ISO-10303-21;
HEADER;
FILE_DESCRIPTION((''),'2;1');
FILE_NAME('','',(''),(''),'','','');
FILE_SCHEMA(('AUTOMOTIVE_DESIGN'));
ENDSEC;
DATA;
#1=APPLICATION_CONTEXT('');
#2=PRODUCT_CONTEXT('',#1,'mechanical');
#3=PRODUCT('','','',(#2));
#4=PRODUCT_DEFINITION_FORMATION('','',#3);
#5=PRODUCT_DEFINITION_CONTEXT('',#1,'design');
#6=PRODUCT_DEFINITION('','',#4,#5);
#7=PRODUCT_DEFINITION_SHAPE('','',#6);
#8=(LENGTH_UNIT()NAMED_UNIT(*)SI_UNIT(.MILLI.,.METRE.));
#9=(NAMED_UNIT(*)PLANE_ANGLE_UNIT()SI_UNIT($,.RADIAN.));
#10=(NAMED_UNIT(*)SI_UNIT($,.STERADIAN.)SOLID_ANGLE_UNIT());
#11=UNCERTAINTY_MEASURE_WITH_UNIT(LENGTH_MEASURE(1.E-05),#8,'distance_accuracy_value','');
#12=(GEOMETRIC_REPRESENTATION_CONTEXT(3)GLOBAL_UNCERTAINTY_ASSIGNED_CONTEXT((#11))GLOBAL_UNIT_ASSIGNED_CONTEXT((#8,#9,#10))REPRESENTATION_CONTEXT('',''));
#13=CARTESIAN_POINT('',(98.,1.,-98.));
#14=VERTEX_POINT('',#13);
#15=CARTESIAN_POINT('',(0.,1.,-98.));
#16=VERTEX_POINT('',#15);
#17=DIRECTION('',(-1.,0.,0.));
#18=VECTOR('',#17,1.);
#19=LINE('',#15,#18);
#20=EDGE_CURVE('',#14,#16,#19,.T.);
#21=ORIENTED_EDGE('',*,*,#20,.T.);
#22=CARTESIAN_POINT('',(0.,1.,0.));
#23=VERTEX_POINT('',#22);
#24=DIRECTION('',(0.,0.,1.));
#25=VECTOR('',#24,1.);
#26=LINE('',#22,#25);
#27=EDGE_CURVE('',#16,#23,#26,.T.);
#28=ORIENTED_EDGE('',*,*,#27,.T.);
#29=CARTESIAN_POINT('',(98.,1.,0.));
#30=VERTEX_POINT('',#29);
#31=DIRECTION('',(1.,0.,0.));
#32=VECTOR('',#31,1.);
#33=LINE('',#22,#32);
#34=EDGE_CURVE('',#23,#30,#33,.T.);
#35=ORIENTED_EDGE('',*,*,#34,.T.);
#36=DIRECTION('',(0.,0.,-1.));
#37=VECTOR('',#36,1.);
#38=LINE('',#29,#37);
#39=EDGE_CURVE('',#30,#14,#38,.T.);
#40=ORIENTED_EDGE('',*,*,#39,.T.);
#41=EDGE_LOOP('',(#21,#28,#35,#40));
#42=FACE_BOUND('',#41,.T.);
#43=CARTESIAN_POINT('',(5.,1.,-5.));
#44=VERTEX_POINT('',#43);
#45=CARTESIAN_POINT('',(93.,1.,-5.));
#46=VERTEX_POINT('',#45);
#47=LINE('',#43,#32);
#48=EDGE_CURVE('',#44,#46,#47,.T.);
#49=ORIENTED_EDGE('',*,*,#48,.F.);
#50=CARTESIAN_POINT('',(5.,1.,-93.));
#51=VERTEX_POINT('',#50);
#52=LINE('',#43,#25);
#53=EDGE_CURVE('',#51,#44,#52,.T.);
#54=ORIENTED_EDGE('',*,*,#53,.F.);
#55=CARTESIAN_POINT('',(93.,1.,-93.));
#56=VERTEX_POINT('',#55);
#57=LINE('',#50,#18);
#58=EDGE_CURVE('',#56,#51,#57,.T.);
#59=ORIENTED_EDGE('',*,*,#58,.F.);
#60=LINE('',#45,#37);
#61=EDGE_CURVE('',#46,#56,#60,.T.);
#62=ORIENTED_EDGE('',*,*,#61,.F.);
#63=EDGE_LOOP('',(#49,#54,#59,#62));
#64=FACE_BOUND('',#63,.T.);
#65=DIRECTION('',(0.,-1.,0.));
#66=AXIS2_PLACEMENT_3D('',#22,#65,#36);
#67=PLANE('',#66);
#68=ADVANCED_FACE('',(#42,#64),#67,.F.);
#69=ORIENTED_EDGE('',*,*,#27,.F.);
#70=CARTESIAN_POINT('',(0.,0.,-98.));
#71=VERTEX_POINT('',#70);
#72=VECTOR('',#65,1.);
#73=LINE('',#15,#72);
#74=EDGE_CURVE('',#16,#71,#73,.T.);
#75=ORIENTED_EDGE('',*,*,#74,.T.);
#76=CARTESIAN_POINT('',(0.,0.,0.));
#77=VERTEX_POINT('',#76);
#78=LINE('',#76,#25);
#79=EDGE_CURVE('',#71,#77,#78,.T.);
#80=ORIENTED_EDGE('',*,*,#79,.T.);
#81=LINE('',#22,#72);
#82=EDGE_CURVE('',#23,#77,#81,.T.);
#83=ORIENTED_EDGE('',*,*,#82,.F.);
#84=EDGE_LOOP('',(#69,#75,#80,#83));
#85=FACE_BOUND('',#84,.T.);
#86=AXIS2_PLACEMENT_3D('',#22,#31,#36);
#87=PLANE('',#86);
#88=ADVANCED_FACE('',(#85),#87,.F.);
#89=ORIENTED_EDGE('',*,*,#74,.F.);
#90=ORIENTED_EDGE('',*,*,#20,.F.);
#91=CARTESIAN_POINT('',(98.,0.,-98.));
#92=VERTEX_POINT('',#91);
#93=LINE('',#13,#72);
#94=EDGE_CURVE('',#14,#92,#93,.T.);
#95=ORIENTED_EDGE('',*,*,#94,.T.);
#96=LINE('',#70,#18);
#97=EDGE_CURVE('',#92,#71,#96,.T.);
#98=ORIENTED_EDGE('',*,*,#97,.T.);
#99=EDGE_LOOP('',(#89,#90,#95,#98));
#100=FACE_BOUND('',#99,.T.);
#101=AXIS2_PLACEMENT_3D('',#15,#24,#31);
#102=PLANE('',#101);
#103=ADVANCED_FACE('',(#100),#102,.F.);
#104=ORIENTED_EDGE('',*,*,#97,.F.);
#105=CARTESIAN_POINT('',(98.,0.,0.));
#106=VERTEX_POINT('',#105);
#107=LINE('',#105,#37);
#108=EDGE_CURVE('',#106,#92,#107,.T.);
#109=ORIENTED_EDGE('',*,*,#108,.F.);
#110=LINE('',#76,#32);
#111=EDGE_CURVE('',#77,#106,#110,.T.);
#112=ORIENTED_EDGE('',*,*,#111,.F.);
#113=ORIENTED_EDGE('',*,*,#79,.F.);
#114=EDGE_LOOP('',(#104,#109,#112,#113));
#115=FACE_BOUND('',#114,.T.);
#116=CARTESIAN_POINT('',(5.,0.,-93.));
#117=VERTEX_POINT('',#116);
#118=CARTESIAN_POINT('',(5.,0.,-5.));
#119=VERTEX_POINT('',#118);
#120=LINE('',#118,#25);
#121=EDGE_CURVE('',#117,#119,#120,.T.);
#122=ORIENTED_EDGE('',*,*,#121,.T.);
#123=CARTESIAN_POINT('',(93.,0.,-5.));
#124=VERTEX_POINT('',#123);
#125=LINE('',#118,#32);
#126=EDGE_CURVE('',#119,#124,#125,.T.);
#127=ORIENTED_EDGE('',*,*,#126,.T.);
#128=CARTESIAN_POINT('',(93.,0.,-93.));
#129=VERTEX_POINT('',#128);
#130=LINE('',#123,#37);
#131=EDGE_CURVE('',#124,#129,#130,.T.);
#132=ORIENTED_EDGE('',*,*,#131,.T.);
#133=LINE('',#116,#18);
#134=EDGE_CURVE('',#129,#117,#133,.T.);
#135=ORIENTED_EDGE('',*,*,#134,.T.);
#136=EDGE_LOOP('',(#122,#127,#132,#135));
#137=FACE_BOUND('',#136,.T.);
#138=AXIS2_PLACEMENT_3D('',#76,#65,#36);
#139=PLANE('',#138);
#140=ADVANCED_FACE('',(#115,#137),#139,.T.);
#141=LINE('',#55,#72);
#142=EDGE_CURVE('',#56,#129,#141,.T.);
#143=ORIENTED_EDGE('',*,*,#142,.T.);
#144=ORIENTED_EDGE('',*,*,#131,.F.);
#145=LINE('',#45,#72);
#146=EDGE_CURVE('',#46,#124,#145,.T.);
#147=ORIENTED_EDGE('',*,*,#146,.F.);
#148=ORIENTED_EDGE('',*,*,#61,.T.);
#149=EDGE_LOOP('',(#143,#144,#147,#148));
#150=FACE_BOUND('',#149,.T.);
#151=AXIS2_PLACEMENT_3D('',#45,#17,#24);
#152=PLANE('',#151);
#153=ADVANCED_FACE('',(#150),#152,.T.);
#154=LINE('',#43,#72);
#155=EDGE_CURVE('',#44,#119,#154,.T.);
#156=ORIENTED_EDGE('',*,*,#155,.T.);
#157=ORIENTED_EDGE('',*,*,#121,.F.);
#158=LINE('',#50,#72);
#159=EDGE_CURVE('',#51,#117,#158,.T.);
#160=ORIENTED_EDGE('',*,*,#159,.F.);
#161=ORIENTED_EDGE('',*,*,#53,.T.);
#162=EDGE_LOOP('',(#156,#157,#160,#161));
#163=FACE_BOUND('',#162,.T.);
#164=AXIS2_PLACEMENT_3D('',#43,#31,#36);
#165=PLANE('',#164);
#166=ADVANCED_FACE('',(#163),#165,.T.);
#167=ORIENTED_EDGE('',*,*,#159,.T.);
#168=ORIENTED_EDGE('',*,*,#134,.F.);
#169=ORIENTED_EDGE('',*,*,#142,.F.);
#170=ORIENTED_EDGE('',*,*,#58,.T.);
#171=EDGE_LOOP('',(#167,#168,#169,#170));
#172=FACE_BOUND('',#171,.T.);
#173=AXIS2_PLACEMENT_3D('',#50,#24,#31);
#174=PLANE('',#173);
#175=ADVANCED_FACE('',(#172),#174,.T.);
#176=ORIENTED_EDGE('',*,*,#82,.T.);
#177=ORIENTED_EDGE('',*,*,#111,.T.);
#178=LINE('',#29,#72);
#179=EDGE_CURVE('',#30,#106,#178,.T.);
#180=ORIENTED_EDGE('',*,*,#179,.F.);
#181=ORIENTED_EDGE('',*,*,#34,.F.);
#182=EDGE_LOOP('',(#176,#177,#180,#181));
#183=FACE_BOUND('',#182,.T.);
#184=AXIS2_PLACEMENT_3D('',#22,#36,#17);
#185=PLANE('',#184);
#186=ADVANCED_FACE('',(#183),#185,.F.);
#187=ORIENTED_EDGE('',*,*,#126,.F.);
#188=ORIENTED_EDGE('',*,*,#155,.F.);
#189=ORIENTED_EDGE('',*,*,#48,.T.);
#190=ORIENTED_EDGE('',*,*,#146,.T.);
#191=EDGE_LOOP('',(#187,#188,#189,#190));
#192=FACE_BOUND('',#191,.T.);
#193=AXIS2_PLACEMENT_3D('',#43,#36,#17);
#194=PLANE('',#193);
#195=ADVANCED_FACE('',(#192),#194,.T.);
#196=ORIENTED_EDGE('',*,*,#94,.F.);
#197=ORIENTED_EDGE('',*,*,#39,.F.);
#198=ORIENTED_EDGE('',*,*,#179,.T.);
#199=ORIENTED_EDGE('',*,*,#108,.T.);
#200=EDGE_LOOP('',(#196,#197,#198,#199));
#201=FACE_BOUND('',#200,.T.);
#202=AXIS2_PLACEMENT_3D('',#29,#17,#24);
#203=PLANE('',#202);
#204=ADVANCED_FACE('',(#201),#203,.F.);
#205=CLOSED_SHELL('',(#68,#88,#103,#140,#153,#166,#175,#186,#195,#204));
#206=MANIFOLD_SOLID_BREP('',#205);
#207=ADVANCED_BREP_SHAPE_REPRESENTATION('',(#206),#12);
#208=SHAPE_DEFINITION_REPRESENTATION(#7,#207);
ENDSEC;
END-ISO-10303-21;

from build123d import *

# Parameters (mm, degrees)
CROQUIS1_W              = 98
CROQUIS1_H              = 98
CROQUIS1_W_2            = 88
CROQUIS1_H_2            = 88
SALIENTE_EXTRUIR1_DEPTH = 1


with BuildPart() as part:
    # Croquis1 → Saliente-Extruir1 (new body)
    with BuildSketch(Plane(origin=(0, 0, 0), x_dir=(1, 0, 0), z_dir=(0, 1, 0))):
        with Locations((49, 49)):
            Rectangle(CROQUIS1_W, CROQUIS1_H)
        with Locations((49, 49)):
            Rectangle(CROQUIS1_W_2, CROQUIS1_H_2, mode=Mode.SUBTRACT)
    extrude(amount=SALIENTE_EXTRUIR1_DEPTH)


solid = part.part
